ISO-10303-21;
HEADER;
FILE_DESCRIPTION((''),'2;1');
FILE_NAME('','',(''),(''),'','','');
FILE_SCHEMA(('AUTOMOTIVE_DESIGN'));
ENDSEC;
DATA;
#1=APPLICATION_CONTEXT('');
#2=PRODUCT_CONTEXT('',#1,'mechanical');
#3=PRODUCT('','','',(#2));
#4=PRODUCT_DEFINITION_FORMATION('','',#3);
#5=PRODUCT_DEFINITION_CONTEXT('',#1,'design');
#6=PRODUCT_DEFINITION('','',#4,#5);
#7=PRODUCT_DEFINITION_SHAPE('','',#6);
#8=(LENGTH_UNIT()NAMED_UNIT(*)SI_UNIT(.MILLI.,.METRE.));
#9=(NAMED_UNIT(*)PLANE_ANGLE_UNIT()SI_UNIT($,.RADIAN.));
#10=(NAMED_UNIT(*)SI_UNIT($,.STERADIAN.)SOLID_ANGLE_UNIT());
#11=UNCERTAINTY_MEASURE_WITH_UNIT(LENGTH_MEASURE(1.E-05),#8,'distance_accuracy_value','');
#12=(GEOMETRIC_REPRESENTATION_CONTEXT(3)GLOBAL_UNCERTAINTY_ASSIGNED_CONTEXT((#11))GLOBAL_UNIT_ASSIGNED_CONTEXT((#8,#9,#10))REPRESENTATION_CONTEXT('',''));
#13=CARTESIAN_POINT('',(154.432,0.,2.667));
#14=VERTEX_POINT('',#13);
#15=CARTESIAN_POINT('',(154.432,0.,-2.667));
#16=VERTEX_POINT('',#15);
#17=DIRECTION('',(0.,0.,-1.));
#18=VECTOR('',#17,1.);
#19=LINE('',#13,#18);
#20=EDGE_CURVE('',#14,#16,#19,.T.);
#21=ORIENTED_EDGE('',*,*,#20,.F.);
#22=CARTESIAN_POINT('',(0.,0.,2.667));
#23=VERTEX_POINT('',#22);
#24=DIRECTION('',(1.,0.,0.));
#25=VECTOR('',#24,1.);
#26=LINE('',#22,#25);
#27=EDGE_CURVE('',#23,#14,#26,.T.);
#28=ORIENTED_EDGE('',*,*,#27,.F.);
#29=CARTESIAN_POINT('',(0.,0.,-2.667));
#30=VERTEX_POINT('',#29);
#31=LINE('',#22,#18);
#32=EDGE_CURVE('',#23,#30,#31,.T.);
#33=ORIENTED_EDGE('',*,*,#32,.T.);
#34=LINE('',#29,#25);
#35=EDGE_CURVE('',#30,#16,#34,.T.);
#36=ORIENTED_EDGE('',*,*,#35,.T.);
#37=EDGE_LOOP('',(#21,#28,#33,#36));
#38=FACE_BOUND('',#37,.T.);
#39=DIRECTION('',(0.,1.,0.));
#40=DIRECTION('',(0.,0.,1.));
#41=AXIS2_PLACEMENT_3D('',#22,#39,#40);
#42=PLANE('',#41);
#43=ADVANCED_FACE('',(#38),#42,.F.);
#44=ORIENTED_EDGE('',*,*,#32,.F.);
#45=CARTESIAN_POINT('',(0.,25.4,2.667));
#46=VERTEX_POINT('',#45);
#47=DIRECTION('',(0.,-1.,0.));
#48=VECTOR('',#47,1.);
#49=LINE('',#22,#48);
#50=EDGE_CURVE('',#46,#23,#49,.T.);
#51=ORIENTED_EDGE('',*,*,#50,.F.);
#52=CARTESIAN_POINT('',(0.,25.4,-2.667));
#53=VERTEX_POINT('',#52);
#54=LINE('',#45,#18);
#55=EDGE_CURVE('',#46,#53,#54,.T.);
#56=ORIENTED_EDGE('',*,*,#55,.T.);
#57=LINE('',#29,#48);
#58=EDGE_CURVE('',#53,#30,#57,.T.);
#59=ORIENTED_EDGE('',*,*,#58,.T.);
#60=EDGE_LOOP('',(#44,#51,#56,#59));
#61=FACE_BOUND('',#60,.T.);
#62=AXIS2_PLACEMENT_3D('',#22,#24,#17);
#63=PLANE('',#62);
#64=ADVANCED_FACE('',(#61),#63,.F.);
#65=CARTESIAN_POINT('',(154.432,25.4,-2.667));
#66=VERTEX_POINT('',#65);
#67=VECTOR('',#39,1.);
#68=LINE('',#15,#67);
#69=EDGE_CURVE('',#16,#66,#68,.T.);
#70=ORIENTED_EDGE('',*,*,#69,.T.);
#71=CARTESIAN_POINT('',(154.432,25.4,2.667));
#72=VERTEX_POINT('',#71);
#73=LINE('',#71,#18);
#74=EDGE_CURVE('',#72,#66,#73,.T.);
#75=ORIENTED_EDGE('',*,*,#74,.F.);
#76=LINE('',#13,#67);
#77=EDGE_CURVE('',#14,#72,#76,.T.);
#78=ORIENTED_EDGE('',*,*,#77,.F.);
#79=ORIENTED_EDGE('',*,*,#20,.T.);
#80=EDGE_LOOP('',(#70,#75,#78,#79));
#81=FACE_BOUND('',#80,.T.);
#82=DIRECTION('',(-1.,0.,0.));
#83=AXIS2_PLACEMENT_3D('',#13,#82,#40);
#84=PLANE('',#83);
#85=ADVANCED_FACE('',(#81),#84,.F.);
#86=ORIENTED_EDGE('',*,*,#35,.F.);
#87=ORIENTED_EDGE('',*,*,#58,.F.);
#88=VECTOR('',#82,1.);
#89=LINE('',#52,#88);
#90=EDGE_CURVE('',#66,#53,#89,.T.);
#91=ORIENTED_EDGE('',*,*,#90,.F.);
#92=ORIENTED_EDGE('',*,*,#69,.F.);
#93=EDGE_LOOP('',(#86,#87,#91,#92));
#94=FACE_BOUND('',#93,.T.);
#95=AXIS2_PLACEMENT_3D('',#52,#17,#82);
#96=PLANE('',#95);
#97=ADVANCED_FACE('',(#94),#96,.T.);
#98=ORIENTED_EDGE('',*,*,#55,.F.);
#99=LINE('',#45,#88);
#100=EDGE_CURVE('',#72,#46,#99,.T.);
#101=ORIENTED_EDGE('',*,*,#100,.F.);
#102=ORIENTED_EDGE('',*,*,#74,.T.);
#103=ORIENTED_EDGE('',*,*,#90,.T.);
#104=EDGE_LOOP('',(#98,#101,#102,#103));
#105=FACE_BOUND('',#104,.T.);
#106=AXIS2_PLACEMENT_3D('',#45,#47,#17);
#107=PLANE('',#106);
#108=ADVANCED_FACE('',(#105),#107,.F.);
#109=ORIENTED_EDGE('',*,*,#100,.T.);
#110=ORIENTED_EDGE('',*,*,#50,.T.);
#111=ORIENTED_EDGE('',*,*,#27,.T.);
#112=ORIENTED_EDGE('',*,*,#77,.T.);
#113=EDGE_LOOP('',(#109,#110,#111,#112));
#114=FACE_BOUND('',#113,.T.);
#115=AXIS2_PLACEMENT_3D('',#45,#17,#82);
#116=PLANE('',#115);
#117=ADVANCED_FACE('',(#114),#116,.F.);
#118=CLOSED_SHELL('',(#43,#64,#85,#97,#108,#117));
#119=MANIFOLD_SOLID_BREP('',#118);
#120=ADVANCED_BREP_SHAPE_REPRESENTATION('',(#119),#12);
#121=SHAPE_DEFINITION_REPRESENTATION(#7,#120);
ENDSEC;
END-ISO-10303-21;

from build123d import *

# Parameters (mm, degrees)
SKETCH1_W           = 154.432
SKETCH1_H           = 25.4
BOSS_EXTRUDE1_DEPTH = 2.667


with BuildPart() as part:
    # Sketch1 → Boss-Extrude1 (new, symmetric)
    with BuildSketch(Plane.XY):
        with Locations((77.216, 12.7)):
            Rectangle(SKETCH1_W, SKETCH1_H)
    extrude(amount=BOSS_EXTRUDE1_DEPTH, both=True)


solid = part.part
